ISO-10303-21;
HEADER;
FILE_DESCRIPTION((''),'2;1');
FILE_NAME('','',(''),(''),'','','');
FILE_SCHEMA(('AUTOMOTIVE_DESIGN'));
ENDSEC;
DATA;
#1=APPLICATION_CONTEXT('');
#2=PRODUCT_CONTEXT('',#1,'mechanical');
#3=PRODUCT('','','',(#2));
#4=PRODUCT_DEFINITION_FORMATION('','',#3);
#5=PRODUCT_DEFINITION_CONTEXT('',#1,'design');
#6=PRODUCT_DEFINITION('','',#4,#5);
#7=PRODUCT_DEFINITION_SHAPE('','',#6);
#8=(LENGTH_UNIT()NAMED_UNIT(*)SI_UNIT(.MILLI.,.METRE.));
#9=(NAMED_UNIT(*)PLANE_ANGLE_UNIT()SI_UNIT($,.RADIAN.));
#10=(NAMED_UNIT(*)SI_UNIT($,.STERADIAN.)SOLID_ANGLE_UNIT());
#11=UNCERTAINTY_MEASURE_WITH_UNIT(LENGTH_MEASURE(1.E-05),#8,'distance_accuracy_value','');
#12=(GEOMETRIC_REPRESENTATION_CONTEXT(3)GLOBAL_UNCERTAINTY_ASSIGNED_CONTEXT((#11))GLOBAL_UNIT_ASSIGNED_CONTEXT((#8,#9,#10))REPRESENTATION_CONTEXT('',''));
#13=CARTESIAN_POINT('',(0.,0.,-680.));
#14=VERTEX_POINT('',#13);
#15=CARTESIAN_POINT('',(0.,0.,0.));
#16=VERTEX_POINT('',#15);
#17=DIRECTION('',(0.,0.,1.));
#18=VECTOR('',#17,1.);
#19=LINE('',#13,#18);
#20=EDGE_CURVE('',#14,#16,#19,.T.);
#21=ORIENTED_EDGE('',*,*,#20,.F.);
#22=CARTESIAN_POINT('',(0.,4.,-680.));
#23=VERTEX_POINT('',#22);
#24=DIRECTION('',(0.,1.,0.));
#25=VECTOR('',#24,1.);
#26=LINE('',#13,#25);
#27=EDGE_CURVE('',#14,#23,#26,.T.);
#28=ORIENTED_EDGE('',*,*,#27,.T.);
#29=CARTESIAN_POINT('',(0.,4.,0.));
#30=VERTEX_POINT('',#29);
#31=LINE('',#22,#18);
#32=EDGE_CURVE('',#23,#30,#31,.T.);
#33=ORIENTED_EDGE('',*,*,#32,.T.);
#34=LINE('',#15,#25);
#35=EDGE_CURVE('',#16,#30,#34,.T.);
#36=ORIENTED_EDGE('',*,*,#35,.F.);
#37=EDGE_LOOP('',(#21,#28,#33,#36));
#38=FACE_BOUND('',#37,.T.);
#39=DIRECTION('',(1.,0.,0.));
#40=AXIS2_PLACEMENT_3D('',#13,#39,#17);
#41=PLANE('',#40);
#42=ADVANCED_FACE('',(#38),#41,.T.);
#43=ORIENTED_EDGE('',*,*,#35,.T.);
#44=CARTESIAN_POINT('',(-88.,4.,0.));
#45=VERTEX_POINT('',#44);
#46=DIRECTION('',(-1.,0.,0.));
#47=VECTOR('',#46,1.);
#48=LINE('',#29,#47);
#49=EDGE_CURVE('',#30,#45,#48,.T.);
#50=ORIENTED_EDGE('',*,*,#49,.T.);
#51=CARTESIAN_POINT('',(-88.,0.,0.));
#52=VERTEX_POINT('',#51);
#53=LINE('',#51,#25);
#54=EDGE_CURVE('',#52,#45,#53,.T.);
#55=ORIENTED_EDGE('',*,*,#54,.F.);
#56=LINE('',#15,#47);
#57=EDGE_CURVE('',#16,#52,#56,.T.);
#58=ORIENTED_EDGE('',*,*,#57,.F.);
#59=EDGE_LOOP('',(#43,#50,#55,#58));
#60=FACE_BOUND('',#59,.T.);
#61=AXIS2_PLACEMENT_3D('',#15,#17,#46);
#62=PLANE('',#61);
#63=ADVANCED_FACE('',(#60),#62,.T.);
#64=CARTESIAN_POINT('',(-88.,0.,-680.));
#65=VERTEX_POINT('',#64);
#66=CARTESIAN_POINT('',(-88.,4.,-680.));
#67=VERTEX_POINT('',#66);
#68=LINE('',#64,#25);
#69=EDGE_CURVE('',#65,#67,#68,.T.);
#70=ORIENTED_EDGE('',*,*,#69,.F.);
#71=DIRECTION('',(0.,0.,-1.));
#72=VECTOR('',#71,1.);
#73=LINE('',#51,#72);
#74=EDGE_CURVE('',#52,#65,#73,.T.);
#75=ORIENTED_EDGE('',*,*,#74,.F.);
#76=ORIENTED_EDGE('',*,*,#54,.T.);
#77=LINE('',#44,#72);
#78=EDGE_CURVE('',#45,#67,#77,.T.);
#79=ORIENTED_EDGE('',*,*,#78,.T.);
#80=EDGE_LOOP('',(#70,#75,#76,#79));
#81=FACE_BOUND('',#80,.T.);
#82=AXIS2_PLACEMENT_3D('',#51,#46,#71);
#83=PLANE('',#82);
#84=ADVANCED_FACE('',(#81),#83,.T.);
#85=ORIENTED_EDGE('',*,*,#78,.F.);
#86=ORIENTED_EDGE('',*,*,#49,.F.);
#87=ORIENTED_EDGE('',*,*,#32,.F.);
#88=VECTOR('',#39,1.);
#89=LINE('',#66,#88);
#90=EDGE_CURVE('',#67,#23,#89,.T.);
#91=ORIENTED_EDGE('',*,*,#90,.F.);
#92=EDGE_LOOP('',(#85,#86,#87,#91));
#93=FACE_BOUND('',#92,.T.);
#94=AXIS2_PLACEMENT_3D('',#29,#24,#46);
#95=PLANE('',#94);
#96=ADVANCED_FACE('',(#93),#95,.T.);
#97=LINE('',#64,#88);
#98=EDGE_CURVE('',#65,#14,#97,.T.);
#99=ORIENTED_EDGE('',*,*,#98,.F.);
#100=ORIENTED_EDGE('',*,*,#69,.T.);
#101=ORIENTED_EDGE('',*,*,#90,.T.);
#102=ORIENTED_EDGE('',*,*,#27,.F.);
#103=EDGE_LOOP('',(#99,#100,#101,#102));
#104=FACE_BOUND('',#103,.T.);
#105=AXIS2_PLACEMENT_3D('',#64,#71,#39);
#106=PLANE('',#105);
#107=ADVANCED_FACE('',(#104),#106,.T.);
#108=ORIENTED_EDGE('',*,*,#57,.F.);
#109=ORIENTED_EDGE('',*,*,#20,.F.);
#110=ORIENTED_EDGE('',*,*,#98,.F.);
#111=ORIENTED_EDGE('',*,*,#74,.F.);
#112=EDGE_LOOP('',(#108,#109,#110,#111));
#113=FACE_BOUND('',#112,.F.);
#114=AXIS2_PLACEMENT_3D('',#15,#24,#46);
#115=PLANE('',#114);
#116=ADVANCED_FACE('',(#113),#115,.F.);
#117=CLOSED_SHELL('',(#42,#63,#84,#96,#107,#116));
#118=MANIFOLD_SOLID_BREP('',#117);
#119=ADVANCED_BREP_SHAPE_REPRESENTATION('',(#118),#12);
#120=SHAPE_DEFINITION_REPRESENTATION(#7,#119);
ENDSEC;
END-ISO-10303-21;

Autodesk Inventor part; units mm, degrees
ref_plane "YZ Plane" through (0, 0, 0) normal (1, 0, 0) x (0, 1, 0)
ref_plane "XZ Plane" through (0, 0, 0) normal (0, 1, 0) x (-1, 0, 0)
ref_plane "XY Plane" through (0, 0, 0) normal (0, 0, 1) x (1, 0, 0)
sketch "Skizze1" plane through (0, 0, 0) normal (0, 1, 0) x (-1, 0, 0)
  line L0 (0, 0) -> (88, 0)
  line L1 (88, 0) -> (88, -680)
  line L2 (88, -680) -> (0, -680)
  line L3 (0, -680) -> (0, 0)
  dimension "d0" = 680
  dimension "d1" = 88
extrude "Extrusion1" add sketch "Skizze1" along normal blind 4
properties part number "TorraumDecke"
